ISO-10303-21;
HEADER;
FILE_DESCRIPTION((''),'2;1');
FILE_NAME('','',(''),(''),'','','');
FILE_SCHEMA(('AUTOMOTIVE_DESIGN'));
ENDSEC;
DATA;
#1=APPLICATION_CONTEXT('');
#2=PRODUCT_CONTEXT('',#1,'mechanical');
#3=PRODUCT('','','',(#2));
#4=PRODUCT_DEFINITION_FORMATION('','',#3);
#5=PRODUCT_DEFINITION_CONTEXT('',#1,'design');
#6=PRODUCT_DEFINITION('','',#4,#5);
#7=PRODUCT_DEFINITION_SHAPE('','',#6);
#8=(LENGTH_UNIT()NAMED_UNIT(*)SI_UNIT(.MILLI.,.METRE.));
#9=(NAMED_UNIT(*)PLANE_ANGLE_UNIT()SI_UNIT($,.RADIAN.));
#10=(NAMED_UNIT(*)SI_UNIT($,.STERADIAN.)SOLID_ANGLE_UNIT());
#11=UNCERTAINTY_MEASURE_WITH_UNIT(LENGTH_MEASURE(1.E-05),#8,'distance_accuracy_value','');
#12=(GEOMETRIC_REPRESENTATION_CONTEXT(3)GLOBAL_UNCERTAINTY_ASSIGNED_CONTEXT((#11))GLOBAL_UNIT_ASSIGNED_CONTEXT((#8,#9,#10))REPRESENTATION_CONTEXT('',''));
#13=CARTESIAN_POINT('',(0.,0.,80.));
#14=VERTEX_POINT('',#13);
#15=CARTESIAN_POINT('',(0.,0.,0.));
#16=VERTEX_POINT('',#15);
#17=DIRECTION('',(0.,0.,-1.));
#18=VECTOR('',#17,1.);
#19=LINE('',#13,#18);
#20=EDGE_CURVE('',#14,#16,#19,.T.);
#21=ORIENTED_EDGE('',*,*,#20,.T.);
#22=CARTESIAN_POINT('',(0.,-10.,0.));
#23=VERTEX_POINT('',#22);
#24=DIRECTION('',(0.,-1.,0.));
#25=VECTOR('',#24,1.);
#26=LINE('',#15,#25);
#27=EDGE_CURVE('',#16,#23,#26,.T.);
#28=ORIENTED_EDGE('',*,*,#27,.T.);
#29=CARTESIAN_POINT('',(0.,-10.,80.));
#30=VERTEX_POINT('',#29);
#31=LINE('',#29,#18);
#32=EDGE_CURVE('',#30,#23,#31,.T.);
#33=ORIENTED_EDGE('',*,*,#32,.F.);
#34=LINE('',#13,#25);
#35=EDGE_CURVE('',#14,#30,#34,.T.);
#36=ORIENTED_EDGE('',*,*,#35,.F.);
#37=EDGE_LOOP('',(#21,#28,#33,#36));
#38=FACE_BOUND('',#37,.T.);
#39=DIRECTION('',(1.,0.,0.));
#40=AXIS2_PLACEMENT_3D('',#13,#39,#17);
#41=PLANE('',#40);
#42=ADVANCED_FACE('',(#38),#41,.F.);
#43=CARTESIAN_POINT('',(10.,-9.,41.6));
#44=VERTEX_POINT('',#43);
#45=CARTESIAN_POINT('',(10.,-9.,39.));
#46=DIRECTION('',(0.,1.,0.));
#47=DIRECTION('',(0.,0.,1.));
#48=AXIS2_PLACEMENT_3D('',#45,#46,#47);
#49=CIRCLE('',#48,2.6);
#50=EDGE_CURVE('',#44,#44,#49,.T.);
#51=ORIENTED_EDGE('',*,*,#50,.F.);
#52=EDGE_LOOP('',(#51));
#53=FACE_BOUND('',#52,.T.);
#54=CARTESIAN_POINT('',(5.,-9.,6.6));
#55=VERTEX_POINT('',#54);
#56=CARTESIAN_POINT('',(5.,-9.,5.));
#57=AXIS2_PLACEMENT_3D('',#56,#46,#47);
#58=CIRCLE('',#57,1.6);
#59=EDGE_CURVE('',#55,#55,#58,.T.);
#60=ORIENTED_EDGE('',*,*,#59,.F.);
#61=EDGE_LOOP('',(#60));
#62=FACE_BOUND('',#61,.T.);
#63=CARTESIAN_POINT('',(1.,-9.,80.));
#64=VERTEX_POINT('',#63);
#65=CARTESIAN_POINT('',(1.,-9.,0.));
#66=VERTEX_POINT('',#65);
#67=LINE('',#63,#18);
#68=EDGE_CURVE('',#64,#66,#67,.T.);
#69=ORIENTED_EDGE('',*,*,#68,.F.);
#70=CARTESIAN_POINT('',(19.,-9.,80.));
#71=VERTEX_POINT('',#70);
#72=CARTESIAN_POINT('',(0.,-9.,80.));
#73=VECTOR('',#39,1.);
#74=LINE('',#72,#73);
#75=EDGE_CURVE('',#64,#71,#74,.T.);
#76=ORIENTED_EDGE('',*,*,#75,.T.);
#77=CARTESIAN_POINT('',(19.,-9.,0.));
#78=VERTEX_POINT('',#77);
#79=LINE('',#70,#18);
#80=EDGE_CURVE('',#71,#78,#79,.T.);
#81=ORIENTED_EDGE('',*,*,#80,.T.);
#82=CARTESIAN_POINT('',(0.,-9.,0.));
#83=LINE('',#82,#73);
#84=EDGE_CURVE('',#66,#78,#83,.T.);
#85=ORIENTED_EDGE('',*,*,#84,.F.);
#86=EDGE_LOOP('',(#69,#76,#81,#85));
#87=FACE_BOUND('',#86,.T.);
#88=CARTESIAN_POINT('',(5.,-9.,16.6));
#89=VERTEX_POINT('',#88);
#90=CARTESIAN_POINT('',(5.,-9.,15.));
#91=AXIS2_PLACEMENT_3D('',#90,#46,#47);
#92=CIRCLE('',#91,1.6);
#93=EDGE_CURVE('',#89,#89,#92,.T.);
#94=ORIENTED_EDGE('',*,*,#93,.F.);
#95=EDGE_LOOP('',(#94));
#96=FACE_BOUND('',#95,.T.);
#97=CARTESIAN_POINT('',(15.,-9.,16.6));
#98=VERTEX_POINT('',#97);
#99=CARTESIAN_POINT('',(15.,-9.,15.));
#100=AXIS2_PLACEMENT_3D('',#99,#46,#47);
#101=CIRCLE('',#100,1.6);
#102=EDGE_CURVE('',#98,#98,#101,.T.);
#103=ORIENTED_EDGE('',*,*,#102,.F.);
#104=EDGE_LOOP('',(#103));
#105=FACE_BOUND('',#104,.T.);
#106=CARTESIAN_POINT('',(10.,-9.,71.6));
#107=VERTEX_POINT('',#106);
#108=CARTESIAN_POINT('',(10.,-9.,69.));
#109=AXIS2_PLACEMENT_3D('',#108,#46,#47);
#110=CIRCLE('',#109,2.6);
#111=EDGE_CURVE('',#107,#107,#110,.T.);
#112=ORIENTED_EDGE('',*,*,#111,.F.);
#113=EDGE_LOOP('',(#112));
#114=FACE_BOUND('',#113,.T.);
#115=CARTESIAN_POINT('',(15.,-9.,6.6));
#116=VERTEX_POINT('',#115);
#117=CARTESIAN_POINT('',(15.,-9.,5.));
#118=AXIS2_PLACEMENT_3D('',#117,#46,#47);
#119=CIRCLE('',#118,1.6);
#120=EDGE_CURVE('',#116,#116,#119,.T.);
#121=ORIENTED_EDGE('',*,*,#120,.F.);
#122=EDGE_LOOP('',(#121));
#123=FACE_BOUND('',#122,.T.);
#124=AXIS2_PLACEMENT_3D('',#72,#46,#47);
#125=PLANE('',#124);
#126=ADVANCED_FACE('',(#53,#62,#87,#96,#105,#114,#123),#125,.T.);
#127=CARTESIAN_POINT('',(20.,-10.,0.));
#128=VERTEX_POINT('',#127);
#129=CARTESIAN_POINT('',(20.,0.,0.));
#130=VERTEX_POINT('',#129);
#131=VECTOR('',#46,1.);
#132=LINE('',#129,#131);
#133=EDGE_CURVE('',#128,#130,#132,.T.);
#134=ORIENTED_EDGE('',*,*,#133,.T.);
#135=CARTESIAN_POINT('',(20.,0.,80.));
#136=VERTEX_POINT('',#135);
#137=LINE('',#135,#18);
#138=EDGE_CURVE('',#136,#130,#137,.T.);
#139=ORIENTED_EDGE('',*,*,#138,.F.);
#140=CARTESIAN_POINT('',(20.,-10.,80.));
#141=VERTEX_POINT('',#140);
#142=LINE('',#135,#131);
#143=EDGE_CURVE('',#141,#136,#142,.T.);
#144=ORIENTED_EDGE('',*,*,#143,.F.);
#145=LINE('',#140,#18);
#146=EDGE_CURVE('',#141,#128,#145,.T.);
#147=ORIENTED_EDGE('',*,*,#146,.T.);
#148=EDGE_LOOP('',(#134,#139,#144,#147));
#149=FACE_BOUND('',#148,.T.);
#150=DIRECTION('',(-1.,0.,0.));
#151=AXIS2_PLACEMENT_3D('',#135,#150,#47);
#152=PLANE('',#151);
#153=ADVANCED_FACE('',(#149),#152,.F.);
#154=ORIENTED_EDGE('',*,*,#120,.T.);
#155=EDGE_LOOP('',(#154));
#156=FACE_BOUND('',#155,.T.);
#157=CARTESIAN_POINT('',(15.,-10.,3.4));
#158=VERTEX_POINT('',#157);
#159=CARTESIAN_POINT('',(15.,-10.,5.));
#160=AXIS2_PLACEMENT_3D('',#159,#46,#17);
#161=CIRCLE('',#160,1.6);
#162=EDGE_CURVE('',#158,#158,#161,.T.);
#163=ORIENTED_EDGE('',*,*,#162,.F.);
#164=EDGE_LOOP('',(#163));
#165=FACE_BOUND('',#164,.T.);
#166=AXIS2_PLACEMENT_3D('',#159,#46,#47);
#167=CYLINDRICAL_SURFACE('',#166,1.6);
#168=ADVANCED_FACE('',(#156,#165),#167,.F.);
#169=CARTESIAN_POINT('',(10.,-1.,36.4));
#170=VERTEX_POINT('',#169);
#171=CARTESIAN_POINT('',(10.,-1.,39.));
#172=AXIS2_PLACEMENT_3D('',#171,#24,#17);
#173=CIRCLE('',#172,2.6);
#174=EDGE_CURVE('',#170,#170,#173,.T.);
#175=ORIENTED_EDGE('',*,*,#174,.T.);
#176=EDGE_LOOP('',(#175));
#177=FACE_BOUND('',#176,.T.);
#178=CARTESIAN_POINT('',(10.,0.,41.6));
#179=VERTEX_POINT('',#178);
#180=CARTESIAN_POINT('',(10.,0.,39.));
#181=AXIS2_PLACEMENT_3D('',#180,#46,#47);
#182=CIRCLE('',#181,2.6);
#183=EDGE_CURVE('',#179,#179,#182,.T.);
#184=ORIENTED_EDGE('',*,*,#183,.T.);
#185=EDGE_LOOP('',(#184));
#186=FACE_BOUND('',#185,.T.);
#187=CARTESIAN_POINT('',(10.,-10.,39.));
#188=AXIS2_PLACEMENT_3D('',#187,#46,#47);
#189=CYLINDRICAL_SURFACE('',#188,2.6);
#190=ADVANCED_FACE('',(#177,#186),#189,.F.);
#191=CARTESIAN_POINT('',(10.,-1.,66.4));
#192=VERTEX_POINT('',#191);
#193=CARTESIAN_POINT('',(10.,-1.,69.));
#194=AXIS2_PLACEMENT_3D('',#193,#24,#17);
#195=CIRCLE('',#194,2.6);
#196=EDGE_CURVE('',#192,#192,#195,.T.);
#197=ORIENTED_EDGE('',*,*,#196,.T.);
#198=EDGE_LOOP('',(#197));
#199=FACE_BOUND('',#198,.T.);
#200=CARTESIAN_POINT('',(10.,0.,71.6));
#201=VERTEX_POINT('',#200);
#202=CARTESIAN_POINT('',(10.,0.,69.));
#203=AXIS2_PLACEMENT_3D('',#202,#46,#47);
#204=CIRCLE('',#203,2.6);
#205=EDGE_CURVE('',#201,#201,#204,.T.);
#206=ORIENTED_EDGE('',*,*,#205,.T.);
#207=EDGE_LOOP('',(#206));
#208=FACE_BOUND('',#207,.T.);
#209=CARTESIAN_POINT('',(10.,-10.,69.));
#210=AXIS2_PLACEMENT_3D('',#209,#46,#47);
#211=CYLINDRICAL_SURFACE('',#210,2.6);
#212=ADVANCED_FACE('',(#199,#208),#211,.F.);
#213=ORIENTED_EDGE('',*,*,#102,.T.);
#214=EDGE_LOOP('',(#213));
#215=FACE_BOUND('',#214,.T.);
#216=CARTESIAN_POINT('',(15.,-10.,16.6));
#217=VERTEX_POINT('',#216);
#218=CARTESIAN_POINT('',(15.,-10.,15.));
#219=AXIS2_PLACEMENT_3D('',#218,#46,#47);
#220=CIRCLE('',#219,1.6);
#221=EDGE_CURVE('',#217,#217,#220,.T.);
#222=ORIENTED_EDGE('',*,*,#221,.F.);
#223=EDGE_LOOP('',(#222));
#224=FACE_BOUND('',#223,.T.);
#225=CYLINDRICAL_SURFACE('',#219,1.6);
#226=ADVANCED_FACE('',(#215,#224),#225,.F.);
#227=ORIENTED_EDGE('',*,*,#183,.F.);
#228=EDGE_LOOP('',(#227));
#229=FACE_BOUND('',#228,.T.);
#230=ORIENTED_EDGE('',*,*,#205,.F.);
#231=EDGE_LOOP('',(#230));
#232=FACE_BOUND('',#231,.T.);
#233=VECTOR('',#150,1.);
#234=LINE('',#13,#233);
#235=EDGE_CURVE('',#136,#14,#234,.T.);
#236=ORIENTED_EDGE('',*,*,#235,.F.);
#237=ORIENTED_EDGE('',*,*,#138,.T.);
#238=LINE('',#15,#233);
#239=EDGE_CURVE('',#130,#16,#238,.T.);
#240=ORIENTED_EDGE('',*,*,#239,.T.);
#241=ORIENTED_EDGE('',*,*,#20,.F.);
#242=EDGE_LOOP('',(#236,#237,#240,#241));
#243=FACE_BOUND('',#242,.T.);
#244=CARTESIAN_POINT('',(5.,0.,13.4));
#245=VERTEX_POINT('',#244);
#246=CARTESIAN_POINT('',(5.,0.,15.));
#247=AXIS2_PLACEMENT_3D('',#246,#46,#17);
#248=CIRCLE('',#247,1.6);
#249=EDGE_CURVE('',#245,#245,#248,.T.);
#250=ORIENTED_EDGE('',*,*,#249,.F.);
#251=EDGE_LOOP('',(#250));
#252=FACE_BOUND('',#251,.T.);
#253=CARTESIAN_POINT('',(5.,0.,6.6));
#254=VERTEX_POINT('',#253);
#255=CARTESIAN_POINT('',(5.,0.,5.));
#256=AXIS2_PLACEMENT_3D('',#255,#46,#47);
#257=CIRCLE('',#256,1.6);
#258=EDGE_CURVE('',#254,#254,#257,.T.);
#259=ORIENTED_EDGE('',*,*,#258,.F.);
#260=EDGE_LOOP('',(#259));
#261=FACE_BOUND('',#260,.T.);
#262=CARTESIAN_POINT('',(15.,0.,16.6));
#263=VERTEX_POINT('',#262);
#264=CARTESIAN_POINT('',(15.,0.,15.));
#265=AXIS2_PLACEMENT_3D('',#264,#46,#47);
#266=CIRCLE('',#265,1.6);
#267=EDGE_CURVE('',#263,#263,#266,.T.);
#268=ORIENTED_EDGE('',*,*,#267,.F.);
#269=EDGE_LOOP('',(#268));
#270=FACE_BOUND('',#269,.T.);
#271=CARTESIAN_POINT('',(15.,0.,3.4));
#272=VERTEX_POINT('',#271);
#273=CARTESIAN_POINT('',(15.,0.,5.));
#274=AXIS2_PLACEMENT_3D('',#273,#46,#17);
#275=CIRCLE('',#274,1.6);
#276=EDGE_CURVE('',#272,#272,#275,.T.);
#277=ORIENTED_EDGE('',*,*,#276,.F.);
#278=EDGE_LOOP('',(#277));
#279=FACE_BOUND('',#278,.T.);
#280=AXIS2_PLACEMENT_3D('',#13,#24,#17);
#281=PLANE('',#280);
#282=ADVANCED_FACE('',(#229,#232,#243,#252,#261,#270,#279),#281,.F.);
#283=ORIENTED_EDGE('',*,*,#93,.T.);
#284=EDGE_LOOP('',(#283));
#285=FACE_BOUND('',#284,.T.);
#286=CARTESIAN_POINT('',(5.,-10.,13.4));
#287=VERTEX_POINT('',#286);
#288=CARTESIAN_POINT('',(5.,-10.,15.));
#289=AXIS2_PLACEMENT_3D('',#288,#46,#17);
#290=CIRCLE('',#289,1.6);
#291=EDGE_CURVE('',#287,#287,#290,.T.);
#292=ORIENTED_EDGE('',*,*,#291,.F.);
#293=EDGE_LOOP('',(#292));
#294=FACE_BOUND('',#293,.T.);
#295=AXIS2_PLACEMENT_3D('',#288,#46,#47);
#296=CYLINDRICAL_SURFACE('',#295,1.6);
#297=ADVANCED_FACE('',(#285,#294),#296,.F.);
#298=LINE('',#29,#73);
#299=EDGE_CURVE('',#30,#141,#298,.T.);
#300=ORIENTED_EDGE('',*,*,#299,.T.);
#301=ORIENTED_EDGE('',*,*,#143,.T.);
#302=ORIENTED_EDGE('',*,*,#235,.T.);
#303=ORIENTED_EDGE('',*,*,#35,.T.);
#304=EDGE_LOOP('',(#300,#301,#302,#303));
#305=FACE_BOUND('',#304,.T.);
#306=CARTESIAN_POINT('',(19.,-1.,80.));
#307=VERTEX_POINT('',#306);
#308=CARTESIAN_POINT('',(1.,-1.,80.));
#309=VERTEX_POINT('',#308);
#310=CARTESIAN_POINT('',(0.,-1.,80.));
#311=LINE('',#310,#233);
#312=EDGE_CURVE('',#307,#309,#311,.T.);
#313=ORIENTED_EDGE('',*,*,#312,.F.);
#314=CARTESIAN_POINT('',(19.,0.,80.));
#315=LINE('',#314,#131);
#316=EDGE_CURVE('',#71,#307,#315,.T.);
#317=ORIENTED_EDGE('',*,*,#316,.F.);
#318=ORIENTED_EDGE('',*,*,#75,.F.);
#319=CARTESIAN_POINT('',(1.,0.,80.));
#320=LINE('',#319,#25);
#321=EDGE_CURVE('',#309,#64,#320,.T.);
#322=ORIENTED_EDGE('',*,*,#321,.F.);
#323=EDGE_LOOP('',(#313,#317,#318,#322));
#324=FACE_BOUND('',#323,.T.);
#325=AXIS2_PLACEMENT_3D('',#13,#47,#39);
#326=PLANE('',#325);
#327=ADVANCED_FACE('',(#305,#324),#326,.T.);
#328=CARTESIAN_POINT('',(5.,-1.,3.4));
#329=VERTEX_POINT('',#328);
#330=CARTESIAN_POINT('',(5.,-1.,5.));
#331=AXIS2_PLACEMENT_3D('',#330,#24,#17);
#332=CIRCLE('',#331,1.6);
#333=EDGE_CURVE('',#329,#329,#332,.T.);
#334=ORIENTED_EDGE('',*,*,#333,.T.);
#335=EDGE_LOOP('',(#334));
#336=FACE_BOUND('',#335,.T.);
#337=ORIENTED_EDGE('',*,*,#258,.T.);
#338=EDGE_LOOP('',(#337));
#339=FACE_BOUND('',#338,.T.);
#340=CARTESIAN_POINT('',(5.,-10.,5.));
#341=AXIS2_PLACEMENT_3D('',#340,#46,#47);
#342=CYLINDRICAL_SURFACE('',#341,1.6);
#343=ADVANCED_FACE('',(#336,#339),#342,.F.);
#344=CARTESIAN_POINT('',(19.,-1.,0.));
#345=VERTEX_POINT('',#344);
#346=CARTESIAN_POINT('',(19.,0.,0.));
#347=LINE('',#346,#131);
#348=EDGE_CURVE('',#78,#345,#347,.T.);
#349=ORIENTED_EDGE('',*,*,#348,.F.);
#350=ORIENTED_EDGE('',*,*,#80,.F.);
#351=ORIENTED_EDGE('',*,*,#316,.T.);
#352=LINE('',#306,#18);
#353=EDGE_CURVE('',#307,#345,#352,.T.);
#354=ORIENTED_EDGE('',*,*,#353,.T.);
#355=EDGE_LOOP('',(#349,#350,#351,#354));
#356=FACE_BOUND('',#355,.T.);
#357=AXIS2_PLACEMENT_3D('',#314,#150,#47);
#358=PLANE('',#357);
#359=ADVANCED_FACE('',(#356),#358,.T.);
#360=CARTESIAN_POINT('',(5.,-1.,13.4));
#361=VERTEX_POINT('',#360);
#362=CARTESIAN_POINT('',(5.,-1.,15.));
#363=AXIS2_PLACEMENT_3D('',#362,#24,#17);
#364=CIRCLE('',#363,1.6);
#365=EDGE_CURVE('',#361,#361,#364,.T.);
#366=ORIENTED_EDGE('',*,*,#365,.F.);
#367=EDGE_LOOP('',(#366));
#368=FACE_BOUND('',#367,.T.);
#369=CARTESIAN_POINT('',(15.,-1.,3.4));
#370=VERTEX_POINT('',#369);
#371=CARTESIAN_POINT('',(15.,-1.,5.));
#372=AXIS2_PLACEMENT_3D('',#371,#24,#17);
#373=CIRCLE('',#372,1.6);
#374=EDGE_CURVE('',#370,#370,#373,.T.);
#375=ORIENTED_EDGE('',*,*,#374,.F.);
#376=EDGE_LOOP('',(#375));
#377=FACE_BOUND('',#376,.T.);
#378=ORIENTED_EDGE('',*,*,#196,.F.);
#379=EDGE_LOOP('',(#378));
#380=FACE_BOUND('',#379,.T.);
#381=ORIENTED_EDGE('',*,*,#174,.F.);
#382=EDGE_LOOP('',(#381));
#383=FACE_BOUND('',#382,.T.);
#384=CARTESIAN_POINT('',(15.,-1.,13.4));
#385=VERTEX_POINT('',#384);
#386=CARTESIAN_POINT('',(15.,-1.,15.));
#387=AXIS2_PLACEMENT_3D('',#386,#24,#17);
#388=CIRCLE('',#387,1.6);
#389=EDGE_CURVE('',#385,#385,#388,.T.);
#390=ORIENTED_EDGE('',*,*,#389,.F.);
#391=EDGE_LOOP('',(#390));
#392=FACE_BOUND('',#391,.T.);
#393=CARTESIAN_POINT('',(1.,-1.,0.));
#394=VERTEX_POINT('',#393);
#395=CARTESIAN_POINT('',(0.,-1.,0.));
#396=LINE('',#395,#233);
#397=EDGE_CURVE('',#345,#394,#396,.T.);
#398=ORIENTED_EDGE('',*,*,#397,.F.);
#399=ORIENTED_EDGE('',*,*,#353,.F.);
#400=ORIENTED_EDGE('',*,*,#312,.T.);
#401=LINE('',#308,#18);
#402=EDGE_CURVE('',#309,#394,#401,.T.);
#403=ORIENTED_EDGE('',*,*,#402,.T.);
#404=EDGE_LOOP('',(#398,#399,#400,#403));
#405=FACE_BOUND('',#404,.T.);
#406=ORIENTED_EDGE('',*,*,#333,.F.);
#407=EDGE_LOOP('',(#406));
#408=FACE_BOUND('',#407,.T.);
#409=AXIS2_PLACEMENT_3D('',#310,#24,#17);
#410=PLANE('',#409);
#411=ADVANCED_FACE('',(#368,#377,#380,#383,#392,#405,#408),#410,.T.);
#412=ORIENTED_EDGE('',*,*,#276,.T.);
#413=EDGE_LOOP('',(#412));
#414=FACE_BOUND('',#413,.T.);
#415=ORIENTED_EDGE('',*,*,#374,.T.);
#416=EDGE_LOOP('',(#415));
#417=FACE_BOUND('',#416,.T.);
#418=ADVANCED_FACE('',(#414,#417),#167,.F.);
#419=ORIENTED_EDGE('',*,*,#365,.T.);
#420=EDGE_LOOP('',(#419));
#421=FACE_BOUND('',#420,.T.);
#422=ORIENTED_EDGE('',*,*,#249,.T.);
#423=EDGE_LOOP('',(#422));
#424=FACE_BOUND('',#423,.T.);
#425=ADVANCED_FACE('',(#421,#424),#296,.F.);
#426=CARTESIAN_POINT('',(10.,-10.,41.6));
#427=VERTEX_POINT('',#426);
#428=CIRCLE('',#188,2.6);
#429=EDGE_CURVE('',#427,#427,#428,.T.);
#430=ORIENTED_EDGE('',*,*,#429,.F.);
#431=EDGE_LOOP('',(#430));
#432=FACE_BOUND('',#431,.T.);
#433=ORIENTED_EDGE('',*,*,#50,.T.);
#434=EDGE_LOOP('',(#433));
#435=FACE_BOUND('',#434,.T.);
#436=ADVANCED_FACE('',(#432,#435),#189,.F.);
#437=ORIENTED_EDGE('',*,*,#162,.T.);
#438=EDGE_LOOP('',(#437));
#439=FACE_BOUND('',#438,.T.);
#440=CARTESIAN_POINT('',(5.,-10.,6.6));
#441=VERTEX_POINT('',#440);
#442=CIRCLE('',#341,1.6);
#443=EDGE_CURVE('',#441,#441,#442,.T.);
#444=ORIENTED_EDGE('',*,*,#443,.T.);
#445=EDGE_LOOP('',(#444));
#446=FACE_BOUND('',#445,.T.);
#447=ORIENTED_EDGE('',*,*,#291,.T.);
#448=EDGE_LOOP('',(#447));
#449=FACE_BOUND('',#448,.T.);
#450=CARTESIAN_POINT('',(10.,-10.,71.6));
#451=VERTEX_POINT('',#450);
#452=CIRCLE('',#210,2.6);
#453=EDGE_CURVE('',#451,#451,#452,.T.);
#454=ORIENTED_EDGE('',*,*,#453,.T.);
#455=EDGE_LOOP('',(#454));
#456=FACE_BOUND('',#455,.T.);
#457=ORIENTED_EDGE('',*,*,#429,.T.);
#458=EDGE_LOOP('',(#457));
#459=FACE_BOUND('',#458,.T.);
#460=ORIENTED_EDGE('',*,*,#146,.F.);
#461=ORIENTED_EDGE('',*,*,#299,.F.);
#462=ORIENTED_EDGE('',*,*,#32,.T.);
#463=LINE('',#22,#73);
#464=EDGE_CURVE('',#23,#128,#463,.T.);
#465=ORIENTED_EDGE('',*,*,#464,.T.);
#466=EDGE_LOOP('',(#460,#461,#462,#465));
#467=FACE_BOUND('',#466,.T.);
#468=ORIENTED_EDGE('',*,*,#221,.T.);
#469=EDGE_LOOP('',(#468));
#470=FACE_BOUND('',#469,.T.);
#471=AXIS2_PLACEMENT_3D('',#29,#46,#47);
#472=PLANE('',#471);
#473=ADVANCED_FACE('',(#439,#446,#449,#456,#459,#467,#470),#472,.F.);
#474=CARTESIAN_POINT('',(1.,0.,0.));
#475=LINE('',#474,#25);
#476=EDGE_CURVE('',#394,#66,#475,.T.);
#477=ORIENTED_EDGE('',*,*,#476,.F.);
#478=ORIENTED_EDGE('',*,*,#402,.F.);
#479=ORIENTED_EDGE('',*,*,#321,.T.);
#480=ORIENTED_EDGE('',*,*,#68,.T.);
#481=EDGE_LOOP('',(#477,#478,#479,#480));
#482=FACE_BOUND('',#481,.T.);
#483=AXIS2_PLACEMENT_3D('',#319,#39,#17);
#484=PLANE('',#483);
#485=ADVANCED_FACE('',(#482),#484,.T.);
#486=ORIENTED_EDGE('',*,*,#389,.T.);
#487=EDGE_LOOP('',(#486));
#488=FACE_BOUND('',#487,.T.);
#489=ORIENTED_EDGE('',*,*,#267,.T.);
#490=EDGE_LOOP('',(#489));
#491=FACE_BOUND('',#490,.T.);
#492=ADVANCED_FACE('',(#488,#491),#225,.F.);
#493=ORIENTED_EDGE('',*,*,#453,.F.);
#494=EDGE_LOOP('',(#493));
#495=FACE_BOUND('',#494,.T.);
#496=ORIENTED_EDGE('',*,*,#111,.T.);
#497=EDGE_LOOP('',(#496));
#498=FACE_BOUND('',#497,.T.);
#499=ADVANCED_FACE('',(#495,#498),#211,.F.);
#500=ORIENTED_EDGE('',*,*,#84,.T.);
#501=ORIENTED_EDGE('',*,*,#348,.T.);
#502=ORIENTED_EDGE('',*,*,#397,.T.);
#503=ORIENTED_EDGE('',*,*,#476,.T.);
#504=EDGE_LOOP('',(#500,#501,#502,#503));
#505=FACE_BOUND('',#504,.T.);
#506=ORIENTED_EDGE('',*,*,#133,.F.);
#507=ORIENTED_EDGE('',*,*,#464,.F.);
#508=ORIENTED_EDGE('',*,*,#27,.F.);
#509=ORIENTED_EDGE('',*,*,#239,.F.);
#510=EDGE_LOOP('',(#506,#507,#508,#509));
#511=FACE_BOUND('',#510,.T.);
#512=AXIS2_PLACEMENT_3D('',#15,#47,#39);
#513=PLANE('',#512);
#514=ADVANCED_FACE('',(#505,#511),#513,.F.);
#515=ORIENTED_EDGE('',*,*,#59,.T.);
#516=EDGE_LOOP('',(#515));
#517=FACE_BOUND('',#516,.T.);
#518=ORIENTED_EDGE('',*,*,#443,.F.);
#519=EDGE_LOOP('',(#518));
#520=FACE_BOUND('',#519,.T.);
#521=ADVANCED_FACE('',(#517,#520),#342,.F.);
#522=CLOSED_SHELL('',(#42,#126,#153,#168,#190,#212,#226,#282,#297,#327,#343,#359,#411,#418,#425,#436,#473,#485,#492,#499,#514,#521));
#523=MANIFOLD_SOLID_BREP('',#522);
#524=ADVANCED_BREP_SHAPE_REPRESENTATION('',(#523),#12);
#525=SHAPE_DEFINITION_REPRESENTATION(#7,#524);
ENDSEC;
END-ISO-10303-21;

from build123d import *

# Parameters (mm, degrees)
SKETCH_1_W          = 20
SKETCH_1_H          = 10
SKETCH_1_W_2        = 18
SKETCH_1_H_2        = 8
EXTRUDE_1_DEPTH     = 80
SKETCH_3_R          = 1.6
SKETCH_3_R_2        = 2.6
CUT_EXTRUDE_1_DEPTH = 84.066238629


with BuildPart() as part:
    # 草图1 → 拉伸-薄壁1 (new body)
    with BuildSketch(Plane.XY):
        with Locations((10, -5)):
            Rectangle(SKETCH_1_W, SKETCH_1_H)
        with Locations((10, -5)):
            Rectangle(SKETCH_1_W_2, SKETCH_1_H_2, mode=Mode.SUBTRACT)
    extrude(amount=EXTRUDE_1_DEPTH)

    # 草图3 → 切除-拉伸1 (cut, through all)
    with BuildSketch(Plane(origin=(0, 0, 0), x_dir=(1, 0, 0), z_dir=(0, 1, 0))):
        with Locations(Location((5, -5, 0), (0, 0, 270))):
            Circle(SKETCH_3_R)
        with Locations(Location((15, -5, 0), (0, 0, 90))):
            Circle(SKETCH_3_R)
        with Locations(Location((15, -15, 0), (0, 0, 270))):
            Circle(SKETCH_3_R)
        with Locations(Location((5, -15, 0), (0, 0, 90))):
            Circle(SKETCH_3_R)
        with Locations(Location((10, -69, 0), (0, 0, 270))):
            Circle(SKETCH_3_R_2)
        with Locations(Location((10, -39, 0), (0, 0, 270))):
            Circle(SKETCH_3_R_2)
    extrude(amount=-CUT_EXTRUDE_1_DEPTH, mode=Mode.SUBTRACT)


solid = part.part
